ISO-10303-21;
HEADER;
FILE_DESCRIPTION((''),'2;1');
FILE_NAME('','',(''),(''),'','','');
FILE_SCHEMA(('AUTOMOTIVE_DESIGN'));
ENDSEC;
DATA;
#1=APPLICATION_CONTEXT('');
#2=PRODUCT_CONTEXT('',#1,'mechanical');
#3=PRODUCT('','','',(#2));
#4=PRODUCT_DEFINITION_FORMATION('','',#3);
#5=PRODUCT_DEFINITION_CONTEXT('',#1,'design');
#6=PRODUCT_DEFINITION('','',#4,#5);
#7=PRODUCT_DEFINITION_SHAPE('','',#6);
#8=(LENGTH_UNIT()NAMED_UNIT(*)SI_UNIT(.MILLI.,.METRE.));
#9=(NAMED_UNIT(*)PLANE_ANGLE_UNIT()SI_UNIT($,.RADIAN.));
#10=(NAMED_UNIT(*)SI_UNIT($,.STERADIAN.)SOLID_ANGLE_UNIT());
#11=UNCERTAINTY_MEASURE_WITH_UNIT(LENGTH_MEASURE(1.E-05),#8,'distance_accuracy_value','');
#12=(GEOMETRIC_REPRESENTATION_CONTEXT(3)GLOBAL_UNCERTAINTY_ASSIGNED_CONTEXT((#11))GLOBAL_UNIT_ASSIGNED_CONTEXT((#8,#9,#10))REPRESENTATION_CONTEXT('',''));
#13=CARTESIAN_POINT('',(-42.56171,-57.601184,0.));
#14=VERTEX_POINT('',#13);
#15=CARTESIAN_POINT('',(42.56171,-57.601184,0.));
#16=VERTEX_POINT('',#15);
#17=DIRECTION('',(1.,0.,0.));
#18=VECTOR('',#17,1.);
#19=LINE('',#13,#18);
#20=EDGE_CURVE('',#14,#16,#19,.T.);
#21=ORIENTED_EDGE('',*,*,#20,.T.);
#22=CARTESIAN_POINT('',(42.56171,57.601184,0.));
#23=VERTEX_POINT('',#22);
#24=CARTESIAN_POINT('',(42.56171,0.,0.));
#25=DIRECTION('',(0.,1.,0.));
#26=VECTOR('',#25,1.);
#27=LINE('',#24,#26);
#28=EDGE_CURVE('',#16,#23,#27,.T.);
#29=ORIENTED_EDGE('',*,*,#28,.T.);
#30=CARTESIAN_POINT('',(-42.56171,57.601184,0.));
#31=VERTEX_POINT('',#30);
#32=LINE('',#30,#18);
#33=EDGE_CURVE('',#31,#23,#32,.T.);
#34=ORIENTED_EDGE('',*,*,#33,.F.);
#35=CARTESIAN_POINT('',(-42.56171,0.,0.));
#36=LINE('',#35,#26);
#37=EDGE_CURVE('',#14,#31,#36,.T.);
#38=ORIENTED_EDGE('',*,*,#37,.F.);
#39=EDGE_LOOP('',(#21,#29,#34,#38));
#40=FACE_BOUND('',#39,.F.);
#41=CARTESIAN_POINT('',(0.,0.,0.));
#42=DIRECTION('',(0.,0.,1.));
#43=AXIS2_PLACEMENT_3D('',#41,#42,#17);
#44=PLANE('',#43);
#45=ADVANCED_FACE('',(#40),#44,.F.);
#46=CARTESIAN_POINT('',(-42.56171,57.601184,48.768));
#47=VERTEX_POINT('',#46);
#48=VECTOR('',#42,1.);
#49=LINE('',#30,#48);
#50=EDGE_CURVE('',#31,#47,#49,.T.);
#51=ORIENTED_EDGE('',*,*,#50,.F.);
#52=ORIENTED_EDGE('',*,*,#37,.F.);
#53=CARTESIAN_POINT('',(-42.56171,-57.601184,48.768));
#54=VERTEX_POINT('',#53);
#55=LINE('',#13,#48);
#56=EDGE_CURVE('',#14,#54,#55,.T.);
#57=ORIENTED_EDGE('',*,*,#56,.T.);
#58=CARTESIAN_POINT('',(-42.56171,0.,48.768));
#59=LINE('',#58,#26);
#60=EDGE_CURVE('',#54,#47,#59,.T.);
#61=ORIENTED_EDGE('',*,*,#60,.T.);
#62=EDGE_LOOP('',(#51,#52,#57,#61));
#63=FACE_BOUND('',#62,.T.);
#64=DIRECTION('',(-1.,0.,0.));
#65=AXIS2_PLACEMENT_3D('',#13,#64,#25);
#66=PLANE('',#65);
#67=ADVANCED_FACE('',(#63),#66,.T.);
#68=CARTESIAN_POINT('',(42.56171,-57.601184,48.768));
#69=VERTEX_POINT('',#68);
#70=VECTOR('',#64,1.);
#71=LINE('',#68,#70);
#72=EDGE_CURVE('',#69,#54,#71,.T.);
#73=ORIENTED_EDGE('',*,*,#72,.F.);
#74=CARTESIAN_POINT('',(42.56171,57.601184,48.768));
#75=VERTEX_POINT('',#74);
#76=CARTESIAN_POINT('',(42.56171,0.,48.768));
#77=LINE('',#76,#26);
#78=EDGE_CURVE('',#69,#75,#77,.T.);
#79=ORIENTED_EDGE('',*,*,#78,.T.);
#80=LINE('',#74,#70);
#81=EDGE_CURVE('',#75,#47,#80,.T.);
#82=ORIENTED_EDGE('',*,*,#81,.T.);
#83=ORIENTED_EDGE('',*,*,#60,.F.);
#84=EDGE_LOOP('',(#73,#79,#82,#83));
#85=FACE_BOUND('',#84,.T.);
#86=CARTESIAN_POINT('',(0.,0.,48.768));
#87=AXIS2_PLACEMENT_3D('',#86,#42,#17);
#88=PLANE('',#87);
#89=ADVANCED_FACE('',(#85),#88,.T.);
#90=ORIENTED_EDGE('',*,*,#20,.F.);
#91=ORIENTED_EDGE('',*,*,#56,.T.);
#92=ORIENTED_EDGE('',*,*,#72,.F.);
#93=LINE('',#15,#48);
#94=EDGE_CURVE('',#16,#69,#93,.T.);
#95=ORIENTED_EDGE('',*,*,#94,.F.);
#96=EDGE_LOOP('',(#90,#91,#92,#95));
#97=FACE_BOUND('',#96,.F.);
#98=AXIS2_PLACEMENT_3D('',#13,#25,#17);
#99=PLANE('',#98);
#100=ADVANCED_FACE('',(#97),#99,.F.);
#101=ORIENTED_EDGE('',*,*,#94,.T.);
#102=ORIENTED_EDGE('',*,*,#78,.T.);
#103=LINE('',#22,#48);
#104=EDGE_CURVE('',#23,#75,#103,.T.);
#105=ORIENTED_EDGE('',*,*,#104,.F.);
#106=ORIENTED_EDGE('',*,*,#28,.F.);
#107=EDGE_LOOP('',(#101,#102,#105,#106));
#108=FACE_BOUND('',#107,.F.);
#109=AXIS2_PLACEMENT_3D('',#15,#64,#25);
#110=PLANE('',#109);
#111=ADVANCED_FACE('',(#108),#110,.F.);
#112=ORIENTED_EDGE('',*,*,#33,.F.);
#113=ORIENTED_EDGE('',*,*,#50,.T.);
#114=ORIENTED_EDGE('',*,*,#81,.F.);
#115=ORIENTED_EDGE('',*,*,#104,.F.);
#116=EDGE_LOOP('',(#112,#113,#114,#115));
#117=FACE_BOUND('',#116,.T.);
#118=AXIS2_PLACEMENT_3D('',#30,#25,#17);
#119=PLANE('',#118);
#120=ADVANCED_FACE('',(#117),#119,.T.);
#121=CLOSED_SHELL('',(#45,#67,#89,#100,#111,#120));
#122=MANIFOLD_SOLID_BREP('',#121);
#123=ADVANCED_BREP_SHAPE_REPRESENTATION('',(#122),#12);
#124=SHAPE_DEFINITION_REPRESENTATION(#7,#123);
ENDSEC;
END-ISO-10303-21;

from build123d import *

# Parameters (mm, degrees)
F0_W     = 85.12342
F0_H     = 115.202368
F1_DEPTH = 48.768
F2_W     = 115.202368
F2_H     = 48.768
F3_DEPTH = 67.818


with BuildPart() as f1:
    # F0 (on Top) → F1 (new body)
    with BuildSketch(Plane.XY):
        Rectangle(F0_W, F0_H)
    extrude(amount=F1_DEPTH)

    # F2 (on face) → F3 (join)
    with BuildSketch(Plane.YZ.offset(42.56171)):
        with Locations((0, 24.384)):
            Rectangle(F2_W, F2_H)
    extrude(amount=-F3_DEPTH)


solid = f1.part
